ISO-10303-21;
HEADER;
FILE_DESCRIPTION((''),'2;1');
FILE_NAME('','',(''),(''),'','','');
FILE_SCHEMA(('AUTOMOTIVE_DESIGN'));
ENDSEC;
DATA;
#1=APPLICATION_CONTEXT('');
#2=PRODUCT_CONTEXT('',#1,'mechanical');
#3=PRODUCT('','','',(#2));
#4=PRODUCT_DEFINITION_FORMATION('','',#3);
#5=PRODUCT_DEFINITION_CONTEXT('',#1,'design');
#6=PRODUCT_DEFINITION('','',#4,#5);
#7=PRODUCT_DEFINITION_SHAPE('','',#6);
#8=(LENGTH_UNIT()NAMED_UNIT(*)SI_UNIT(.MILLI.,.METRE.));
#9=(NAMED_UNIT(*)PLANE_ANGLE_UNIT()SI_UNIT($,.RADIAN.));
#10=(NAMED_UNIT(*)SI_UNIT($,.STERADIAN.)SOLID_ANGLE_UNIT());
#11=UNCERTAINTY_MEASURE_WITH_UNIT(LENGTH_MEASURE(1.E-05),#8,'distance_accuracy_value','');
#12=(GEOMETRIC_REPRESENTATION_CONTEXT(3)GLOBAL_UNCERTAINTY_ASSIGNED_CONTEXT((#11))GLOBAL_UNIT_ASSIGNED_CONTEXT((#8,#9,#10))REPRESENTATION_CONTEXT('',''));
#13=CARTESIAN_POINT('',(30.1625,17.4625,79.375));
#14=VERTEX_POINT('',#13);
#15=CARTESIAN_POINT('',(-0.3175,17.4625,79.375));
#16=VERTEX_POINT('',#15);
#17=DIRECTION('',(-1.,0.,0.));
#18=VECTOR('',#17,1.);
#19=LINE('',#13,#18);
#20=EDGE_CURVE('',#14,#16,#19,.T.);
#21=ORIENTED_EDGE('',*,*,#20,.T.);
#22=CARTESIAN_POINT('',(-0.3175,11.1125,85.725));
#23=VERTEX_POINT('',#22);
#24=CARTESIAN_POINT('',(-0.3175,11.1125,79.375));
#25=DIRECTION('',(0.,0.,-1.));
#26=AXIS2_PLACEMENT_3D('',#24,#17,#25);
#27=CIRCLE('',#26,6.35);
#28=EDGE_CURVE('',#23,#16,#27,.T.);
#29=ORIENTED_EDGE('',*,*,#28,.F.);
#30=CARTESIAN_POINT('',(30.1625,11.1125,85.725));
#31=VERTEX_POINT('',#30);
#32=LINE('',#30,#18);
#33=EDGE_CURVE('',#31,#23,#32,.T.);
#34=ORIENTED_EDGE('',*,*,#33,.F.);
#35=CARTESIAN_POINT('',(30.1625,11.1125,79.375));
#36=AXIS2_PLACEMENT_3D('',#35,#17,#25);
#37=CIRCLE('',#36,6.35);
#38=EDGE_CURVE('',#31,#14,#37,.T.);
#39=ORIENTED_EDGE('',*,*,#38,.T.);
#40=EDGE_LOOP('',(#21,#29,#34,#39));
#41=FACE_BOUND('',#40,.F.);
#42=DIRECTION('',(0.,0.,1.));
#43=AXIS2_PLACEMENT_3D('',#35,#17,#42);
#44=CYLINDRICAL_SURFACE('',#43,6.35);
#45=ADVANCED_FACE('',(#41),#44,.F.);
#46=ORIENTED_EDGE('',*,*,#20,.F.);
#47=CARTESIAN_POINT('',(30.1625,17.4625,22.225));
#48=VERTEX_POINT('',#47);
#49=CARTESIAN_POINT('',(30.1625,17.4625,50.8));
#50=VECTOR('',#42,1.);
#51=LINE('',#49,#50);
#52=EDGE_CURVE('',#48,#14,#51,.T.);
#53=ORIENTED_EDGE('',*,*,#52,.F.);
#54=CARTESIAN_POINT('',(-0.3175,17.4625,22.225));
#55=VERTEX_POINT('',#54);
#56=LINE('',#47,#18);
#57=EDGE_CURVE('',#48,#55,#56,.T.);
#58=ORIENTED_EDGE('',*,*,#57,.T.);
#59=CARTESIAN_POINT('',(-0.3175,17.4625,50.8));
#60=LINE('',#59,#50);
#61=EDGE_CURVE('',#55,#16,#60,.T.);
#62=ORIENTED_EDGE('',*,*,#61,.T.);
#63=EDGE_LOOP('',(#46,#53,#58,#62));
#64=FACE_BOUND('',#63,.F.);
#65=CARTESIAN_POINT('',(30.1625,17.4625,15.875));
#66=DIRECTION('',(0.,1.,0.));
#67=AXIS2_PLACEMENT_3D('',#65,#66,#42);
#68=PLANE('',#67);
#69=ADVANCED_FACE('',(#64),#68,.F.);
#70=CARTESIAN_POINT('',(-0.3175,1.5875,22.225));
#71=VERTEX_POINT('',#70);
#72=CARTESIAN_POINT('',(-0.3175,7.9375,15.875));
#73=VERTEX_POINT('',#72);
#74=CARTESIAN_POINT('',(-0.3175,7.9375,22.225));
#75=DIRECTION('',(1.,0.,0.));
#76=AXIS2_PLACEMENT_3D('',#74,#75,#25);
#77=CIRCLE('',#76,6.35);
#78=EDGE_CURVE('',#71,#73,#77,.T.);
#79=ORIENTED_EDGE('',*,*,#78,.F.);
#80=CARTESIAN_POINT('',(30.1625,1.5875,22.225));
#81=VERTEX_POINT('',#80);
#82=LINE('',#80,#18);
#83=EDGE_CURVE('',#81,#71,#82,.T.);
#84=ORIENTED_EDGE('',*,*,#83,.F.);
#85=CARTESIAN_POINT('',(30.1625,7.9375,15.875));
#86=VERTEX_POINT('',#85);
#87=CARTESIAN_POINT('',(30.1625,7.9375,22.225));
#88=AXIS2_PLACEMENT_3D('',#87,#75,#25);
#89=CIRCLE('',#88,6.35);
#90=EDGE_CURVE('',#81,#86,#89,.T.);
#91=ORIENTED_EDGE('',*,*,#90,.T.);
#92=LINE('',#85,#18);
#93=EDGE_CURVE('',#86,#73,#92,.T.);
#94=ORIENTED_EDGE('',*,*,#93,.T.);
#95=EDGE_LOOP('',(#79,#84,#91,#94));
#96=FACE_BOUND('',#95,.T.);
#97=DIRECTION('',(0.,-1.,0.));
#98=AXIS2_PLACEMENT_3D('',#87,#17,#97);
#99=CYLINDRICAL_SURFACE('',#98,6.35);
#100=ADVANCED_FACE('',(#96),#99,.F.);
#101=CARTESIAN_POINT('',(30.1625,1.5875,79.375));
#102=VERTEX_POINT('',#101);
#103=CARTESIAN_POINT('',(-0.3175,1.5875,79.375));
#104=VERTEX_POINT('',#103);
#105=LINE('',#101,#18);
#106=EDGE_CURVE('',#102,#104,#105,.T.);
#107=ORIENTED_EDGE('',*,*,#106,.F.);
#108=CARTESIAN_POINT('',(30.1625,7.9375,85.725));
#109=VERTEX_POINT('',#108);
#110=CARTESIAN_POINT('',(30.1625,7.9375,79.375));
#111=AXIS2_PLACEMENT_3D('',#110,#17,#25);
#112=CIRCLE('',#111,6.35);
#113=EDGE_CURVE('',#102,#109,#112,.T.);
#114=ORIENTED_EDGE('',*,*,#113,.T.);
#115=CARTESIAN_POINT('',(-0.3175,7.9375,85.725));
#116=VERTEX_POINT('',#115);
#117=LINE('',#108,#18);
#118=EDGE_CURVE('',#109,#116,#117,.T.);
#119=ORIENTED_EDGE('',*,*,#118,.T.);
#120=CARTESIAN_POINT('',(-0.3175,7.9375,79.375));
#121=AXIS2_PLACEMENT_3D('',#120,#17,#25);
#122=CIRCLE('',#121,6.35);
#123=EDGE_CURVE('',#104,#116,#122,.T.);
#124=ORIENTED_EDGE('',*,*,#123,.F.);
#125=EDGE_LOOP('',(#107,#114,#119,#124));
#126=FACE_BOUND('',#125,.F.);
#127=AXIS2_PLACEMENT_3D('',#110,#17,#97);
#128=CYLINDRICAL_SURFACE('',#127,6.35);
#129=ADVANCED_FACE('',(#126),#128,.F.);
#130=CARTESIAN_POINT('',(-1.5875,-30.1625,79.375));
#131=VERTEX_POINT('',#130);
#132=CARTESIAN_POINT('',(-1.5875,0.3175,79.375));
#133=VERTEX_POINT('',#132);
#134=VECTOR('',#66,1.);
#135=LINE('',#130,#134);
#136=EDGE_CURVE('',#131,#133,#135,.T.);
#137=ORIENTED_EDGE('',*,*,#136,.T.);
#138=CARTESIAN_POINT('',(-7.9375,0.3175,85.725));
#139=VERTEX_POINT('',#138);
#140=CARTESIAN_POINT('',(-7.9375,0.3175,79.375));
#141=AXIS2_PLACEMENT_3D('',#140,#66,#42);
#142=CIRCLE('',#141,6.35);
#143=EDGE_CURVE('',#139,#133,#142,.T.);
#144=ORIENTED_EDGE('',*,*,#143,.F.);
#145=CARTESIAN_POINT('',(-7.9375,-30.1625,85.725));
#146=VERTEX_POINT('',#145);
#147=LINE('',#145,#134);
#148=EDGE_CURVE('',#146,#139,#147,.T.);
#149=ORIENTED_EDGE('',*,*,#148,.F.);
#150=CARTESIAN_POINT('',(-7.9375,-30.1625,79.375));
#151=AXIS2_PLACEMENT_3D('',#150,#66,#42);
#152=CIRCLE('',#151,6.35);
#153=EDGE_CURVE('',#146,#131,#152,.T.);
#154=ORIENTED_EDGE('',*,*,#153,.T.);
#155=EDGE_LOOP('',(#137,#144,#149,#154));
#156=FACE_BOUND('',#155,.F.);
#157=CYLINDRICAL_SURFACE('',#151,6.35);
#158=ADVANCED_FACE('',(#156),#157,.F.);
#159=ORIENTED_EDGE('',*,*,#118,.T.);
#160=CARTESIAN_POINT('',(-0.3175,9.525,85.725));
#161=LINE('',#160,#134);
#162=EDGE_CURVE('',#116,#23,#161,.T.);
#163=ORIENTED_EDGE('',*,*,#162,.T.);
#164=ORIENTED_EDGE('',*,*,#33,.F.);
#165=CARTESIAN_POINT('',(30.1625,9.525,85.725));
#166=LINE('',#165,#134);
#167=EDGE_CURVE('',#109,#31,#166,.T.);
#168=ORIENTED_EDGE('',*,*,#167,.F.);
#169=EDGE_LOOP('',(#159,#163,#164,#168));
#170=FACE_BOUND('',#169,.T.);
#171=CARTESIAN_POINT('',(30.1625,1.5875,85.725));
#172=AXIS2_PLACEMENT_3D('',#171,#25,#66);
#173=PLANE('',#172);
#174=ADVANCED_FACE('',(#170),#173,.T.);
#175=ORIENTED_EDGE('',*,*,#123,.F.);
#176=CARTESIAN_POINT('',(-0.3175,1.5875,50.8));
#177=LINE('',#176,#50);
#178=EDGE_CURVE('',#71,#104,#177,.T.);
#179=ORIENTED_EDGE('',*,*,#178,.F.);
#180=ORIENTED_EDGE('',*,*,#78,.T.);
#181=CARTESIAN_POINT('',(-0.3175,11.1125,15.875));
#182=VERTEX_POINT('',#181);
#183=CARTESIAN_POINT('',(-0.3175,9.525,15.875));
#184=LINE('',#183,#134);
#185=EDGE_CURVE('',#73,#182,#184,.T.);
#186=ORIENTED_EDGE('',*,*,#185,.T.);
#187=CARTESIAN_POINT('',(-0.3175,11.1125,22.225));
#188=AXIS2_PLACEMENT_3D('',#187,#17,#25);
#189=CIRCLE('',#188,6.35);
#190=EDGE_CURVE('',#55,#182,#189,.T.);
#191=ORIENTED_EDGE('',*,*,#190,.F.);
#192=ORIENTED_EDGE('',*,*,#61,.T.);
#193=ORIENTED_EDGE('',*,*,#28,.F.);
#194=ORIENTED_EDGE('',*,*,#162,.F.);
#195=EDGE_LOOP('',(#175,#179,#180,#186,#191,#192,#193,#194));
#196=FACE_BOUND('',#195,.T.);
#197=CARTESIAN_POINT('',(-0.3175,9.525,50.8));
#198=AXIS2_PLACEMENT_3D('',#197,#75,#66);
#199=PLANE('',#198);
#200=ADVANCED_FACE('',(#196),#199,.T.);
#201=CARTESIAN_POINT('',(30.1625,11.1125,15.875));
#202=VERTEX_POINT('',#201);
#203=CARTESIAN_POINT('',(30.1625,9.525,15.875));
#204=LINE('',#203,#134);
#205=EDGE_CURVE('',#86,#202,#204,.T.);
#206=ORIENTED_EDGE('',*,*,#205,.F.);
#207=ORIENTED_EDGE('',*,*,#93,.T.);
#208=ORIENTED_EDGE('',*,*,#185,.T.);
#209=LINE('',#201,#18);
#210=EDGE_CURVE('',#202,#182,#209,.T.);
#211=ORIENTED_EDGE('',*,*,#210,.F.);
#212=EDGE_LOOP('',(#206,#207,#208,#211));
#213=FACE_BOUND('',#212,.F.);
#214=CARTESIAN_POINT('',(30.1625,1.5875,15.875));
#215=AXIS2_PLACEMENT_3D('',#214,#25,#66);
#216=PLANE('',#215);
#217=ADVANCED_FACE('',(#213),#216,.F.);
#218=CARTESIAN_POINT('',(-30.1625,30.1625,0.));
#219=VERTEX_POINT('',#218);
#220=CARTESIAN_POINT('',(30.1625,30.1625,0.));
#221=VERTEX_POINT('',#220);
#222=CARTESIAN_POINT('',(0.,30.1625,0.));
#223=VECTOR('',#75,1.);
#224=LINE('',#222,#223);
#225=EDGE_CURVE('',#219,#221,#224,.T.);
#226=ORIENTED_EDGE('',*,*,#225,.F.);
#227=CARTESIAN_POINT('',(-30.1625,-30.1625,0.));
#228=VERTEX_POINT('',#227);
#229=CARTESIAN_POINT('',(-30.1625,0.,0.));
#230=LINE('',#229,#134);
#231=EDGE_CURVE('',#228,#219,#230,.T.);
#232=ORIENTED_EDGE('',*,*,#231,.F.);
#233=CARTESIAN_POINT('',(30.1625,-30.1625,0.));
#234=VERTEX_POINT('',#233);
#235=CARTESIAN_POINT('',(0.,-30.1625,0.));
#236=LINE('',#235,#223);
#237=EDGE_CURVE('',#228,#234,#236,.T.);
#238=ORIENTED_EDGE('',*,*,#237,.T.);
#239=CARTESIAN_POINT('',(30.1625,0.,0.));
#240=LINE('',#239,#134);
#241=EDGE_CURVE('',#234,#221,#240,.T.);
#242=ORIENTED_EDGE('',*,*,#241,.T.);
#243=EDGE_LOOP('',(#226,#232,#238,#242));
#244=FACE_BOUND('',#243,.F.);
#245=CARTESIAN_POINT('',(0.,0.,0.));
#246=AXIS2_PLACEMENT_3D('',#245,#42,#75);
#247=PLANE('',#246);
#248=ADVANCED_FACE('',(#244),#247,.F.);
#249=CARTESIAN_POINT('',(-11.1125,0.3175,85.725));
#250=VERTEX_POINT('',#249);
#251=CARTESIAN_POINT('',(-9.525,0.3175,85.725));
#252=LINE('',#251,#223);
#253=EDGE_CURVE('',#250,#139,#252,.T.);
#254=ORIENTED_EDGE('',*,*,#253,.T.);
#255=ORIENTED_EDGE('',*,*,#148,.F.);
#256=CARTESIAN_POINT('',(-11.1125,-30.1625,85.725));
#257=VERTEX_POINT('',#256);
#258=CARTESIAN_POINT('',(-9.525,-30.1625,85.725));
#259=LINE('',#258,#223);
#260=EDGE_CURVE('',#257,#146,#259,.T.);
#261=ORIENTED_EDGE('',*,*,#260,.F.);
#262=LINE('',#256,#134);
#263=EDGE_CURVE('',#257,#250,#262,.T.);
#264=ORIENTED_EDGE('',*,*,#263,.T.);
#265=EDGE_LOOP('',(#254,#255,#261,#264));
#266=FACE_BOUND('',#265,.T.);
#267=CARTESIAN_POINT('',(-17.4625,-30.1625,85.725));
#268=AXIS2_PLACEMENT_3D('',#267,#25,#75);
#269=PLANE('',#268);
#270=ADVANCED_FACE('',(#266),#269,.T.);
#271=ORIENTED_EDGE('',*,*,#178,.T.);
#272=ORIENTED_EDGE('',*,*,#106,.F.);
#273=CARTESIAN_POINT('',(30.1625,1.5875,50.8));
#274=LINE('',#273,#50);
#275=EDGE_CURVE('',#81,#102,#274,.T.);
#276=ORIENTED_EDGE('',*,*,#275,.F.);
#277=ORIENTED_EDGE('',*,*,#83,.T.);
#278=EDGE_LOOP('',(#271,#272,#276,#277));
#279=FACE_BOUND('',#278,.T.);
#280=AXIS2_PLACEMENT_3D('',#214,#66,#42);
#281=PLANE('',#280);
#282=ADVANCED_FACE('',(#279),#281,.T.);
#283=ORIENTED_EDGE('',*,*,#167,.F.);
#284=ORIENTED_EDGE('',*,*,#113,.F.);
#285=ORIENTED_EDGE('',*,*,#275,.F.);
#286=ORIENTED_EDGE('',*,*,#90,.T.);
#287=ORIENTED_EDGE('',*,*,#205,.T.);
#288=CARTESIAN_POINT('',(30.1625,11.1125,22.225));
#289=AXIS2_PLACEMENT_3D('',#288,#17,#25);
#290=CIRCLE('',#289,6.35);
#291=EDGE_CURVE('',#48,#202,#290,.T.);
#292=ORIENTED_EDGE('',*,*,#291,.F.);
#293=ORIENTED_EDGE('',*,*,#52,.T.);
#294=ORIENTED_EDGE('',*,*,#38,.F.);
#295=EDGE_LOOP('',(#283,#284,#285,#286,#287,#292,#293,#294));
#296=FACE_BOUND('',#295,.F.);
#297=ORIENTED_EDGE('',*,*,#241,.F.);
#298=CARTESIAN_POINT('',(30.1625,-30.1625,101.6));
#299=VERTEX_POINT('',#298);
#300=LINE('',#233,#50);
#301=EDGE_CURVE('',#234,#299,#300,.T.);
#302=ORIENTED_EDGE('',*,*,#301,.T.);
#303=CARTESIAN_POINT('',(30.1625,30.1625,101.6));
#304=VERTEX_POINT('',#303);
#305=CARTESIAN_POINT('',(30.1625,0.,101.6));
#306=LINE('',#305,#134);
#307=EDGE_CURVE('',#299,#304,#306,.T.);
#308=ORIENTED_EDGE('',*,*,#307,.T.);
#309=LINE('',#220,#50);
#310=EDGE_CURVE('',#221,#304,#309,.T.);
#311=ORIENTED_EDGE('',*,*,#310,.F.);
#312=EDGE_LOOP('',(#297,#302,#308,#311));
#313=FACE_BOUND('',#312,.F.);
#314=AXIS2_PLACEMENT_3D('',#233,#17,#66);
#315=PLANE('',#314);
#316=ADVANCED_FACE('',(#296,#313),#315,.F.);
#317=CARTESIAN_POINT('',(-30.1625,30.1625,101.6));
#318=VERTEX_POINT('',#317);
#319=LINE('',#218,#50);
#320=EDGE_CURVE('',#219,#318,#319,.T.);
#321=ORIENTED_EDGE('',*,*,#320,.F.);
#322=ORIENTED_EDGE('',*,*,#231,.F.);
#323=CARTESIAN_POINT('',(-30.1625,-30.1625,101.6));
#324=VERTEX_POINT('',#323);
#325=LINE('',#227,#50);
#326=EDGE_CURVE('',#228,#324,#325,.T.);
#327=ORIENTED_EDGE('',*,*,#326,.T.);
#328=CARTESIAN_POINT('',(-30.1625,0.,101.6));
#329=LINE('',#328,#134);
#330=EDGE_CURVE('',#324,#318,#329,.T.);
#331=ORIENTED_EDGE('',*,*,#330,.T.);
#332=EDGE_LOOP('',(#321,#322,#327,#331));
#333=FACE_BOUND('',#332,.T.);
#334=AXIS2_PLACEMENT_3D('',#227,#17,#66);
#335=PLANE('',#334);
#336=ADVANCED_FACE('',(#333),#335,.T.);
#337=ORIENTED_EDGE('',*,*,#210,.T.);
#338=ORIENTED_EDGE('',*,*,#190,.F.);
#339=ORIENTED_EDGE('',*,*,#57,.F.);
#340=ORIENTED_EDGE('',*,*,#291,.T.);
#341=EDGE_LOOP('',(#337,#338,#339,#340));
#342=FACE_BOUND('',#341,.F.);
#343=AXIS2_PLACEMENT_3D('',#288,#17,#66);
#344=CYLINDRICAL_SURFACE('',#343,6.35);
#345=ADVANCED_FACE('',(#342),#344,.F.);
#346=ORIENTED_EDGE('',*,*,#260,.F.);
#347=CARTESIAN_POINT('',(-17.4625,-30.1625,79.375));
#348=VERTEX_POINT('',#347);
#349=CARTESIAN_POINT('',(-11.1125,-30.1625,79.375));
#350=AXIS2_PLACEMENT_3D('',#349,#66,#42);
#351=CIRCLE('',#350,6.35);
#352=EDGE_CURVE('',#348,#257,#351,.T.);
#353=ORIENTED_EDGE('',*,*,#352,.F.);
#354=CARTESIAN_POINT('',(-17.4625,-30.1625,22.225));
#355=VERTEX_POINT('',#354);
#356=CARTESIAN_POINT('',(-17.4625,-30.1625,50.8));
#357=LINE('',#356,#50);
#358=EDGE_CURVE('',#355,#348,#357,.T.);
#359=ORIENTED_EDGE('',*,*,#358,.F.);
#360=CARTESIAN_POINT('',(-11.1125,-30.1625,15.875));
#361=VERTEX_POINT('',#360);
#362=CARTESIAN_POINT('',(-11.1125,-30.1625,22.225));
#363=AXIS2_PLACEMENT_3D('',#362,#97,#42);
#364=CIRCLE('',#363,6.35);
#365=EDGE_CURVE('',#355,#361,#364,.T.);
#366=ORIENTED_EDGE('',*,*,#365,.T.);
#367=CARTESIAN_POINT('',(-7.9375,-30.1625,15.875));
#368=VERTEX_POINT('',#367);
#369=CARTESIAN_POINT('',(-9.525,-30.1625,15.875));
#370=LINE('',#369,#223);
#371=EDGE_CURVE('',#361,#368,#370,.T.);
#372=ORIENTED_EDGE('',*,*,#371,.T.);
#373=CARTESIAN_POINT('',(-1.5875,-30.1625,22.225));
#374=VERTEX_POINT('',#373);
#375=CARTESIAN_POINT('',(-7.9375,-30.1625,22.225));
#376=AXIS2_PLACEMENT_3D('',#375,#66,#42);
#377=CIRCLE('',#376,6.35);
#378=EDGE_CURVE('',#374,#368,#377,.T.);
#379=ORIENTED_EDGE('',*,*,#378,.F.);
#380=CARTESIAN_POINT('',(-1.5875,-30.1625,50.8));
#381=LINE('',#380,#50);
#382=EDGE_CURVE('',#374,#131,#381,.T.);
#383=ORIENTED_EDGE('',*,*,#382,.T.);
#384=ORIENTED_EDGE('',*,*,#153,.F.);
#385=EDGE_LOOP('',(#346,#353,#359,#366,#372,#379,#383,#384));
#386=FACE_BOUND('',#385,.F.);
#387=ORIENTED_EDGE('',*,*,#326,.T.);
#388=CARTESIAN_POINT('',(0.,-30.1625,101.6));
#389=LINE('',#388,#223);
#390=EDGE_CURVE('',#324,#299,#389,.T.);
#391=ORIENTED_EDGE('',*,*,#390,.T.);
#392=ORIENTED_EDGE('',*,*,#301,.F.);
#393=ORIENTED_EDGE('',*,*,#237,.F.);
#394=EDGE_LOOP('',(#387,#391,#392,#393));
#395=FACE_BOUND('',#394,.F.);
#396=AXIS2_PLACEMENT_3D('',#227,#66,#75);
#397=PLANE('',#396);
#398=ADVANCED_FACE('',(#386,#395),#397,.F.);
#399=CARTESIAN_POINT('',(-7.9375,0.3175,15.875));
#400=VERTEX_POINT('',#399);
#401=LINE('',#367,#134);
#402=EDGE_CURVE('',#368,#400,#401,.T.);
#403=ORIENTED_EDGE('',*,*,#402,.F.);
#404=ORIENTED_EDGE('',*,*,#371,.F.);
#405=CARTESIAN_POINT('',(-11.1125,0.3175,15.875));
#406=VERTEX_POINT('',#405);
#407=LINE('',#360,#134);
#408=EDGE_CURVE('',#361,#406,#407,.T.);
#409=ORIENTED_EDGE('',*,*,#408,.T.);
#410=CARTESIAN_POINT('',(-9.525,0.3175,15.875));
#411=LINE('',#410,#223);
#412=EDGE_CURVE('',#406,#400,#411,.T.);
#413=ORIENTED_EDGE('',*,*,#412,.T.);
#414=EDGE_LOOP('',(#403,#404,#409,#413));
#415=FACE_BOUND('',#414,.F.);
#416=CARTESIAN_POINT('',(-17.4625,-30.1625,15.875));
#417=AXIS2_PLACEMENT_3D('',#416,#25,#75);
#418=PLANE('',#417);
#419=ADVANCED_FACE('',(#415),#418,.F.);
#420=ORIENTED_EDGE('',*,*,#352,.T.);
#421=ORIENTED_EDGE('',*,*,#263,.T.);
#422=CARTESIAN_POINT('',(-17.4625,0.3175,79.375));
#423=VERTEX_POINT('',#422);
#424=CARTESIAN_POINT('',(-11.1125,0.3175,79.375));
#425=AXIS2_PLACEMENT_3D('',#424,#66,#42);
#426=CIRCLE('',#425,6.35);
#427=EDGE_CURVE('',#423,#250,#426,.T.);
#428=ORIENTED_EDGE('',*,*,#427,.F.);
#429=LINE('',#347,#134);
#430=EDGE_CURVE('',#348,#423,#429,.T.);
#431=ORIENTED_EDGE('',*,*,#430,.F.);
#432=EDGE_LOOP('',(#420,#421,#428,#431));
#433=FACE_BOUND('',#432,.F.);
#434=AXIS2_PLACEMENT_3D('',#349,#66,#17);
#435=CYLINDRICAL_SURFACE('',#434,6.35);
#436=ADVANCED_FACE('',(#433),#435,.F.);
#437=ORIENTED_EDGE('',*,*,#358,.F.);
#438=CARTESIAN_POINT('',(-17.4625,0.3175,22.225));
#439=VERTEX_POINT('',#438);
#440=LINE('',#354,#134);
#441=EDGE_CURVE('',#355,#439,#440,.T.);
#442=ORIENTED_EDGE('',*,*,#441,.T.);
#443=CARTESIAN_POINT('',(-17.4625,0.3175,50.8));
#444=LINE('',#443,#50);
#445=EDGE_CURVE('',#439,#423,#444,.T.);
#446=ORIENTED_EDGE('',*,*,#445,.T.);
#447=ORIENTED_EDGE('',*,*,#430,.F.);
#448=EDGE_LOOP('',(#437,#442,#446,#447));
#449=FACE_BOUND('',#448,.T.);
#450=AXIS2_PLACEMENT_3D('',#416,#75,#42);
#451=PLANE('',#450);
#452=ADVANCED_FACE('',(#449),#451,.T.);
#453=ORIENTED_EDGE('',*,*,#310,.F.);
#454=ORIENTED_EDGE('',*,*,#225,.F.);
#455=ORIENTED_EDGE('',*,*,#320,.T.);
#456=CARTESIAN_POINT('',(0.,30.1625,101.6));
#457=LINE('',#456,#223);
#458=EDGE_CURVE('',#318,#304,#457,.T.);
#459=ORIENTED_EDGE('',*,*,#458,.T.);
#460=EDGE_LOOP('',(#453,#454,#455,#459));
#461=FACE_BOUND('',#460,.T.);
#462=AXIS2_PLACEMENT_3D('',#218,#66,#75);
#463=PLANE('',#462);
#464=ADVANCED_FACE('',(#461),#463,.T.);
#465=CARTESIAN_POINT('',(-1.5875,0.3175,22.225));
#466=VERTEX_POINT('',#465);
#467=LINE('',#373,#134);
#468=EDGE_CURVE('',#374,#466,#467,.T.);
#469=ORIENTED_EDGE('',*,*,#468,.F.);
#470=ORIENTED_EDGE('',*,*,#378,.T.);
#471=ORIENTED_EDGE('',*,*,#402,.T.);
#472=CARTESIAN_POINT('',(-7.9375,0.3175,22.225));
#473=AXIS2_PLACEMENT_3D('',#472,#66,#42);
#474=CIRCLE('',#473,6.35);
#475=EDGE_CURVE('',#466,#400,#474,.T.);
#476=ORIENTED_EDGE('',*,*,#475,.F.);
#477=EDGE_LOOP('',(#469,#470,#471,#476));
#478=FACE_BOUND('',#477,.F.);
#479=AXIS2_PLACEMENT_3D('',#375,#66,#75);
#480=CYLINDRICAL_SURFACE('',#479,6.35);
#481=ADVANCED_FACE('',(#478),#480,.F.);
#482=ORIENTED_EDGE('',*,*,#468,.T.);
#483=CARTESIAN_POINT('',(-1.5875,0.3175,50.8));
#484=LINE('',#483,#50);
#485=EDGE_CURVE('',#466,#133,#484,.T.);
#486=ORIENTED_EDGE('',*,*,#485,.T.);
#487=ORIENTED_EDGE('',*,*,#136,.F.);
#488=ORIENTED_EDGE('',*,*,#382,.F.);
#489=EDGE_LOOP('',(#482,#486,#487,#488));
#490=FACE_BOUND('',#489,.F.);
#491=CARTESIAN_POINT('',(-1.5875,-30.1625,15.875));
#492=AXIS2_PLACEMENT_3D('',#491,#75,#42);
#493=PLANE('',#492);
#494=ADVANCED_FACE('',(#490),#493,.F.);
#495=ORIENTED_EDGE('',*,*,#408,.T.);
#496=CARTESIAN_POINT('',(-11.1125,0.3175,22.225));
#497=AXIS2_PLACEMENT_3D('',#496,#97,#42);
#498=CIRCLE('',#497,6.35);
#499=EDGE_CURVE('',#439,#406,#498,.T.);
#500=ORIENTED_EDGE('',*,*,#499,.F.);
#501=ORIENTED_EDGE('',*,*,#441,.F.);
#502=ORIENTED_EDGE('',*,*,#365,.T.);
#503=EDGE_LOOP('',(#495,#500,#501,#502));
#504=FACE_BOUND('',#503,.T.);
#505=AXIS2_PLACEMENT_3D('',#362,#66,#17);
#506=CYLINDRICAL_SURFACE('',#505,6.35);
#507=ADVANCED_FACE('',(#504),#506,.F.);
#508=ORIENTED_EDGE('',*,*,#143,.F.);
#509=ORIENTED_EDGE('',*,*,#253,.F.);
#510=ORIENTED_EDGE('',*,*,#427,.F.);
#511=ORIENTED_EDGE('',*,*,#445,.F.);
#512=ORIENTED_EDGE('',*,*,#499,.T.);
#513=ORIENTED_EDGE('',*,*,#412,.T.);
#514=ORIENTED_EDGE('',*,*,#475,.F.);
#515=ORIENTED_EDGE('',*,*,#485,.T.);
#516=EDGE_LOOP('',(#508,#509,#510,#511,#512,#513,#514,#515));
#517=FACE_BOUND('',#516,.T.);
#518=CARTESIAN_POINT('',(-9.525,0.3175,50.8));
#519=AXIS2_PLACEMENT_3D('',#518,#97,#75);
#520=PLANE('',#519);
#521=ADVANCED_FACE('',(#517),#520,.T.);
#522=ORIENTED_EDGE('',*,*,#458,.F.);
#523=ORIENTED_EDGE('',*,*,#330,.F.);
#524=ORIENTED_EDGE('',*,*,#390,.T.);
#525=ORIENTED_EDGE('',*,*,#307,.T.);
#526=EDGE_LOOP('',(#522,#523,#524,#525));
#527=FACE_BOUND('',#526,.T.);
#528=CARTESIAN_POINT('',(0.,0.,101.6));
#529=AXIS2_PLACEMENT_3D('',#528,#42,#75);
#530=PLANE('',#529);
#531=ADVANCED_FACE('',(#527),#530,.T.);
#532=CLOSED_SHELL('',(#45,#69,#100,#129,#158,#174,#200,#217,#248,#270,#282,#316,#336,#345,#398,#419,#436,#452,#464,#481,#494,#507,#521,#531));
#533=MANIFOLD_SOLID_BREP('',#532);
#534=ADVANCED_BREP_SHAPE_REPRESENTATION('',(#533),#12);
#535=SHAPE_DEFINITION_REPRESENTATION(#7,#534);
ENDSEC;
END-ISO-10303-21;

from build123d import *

# Parameters (mm, degrees)
F0_W     = 60.325
F0_H     = 60.325
F1_DEPTH = 101.6
F3_W     = 15.875
F3_H     = 69.85
F4_DEPTH = 30.48
F5_W     = 15.875
F5_H     = 69.85
F6_DEPTH = 30.48
F7_R     = 6.35


with BuildPart() as f1:
    # F0 (on Top) → F1 (new body)
    with BuildSketch(Plane.XY):
        Rectangle(F0_W, F0_H)
    extrude(amount=F1_DEPTH)

    # F3 (on face) → F4 (cut)
    with BuildSketch(Plane.XZ.offset(30.1625)):
        with Locations((-9.525, 50.8)):
            Rectangle(F3_W, F3_H)
    extrude(amount=-F4_DEPTH, mode=Mode.SUBTRACT)

    # F5 (on face) → F6 (cut)
    with BuildSketch(Plane.YZ.offset(30.1625)):
        with Locations((9.525, 50.8)):
            Rectangle(F5_W, F5_H)
    extrude(amount=-F6_DEPTH, mode=Mode.SUBTRACT)

    # F7
    f7_edges = [f1.edges().sort_by_distance(p)[0] for p in [
        (-17.4625, -14.9225, 85.725),
        (-1.5875, -14.9225, 85.725),
        (-17.4625, -14.9225, 15.875),
        (-1.5875, -14.9225, 15.875),
        (14.9225, 17.4625, 85.725),
        (14.9225, 1.5875, 85.725),
        (14.9225, 1.5875, 15.875),
        (14.9225, 17.4625, 15.875),
    ]]
    fillet(f7_edges, radius=F7_R)


solid = f1.part
